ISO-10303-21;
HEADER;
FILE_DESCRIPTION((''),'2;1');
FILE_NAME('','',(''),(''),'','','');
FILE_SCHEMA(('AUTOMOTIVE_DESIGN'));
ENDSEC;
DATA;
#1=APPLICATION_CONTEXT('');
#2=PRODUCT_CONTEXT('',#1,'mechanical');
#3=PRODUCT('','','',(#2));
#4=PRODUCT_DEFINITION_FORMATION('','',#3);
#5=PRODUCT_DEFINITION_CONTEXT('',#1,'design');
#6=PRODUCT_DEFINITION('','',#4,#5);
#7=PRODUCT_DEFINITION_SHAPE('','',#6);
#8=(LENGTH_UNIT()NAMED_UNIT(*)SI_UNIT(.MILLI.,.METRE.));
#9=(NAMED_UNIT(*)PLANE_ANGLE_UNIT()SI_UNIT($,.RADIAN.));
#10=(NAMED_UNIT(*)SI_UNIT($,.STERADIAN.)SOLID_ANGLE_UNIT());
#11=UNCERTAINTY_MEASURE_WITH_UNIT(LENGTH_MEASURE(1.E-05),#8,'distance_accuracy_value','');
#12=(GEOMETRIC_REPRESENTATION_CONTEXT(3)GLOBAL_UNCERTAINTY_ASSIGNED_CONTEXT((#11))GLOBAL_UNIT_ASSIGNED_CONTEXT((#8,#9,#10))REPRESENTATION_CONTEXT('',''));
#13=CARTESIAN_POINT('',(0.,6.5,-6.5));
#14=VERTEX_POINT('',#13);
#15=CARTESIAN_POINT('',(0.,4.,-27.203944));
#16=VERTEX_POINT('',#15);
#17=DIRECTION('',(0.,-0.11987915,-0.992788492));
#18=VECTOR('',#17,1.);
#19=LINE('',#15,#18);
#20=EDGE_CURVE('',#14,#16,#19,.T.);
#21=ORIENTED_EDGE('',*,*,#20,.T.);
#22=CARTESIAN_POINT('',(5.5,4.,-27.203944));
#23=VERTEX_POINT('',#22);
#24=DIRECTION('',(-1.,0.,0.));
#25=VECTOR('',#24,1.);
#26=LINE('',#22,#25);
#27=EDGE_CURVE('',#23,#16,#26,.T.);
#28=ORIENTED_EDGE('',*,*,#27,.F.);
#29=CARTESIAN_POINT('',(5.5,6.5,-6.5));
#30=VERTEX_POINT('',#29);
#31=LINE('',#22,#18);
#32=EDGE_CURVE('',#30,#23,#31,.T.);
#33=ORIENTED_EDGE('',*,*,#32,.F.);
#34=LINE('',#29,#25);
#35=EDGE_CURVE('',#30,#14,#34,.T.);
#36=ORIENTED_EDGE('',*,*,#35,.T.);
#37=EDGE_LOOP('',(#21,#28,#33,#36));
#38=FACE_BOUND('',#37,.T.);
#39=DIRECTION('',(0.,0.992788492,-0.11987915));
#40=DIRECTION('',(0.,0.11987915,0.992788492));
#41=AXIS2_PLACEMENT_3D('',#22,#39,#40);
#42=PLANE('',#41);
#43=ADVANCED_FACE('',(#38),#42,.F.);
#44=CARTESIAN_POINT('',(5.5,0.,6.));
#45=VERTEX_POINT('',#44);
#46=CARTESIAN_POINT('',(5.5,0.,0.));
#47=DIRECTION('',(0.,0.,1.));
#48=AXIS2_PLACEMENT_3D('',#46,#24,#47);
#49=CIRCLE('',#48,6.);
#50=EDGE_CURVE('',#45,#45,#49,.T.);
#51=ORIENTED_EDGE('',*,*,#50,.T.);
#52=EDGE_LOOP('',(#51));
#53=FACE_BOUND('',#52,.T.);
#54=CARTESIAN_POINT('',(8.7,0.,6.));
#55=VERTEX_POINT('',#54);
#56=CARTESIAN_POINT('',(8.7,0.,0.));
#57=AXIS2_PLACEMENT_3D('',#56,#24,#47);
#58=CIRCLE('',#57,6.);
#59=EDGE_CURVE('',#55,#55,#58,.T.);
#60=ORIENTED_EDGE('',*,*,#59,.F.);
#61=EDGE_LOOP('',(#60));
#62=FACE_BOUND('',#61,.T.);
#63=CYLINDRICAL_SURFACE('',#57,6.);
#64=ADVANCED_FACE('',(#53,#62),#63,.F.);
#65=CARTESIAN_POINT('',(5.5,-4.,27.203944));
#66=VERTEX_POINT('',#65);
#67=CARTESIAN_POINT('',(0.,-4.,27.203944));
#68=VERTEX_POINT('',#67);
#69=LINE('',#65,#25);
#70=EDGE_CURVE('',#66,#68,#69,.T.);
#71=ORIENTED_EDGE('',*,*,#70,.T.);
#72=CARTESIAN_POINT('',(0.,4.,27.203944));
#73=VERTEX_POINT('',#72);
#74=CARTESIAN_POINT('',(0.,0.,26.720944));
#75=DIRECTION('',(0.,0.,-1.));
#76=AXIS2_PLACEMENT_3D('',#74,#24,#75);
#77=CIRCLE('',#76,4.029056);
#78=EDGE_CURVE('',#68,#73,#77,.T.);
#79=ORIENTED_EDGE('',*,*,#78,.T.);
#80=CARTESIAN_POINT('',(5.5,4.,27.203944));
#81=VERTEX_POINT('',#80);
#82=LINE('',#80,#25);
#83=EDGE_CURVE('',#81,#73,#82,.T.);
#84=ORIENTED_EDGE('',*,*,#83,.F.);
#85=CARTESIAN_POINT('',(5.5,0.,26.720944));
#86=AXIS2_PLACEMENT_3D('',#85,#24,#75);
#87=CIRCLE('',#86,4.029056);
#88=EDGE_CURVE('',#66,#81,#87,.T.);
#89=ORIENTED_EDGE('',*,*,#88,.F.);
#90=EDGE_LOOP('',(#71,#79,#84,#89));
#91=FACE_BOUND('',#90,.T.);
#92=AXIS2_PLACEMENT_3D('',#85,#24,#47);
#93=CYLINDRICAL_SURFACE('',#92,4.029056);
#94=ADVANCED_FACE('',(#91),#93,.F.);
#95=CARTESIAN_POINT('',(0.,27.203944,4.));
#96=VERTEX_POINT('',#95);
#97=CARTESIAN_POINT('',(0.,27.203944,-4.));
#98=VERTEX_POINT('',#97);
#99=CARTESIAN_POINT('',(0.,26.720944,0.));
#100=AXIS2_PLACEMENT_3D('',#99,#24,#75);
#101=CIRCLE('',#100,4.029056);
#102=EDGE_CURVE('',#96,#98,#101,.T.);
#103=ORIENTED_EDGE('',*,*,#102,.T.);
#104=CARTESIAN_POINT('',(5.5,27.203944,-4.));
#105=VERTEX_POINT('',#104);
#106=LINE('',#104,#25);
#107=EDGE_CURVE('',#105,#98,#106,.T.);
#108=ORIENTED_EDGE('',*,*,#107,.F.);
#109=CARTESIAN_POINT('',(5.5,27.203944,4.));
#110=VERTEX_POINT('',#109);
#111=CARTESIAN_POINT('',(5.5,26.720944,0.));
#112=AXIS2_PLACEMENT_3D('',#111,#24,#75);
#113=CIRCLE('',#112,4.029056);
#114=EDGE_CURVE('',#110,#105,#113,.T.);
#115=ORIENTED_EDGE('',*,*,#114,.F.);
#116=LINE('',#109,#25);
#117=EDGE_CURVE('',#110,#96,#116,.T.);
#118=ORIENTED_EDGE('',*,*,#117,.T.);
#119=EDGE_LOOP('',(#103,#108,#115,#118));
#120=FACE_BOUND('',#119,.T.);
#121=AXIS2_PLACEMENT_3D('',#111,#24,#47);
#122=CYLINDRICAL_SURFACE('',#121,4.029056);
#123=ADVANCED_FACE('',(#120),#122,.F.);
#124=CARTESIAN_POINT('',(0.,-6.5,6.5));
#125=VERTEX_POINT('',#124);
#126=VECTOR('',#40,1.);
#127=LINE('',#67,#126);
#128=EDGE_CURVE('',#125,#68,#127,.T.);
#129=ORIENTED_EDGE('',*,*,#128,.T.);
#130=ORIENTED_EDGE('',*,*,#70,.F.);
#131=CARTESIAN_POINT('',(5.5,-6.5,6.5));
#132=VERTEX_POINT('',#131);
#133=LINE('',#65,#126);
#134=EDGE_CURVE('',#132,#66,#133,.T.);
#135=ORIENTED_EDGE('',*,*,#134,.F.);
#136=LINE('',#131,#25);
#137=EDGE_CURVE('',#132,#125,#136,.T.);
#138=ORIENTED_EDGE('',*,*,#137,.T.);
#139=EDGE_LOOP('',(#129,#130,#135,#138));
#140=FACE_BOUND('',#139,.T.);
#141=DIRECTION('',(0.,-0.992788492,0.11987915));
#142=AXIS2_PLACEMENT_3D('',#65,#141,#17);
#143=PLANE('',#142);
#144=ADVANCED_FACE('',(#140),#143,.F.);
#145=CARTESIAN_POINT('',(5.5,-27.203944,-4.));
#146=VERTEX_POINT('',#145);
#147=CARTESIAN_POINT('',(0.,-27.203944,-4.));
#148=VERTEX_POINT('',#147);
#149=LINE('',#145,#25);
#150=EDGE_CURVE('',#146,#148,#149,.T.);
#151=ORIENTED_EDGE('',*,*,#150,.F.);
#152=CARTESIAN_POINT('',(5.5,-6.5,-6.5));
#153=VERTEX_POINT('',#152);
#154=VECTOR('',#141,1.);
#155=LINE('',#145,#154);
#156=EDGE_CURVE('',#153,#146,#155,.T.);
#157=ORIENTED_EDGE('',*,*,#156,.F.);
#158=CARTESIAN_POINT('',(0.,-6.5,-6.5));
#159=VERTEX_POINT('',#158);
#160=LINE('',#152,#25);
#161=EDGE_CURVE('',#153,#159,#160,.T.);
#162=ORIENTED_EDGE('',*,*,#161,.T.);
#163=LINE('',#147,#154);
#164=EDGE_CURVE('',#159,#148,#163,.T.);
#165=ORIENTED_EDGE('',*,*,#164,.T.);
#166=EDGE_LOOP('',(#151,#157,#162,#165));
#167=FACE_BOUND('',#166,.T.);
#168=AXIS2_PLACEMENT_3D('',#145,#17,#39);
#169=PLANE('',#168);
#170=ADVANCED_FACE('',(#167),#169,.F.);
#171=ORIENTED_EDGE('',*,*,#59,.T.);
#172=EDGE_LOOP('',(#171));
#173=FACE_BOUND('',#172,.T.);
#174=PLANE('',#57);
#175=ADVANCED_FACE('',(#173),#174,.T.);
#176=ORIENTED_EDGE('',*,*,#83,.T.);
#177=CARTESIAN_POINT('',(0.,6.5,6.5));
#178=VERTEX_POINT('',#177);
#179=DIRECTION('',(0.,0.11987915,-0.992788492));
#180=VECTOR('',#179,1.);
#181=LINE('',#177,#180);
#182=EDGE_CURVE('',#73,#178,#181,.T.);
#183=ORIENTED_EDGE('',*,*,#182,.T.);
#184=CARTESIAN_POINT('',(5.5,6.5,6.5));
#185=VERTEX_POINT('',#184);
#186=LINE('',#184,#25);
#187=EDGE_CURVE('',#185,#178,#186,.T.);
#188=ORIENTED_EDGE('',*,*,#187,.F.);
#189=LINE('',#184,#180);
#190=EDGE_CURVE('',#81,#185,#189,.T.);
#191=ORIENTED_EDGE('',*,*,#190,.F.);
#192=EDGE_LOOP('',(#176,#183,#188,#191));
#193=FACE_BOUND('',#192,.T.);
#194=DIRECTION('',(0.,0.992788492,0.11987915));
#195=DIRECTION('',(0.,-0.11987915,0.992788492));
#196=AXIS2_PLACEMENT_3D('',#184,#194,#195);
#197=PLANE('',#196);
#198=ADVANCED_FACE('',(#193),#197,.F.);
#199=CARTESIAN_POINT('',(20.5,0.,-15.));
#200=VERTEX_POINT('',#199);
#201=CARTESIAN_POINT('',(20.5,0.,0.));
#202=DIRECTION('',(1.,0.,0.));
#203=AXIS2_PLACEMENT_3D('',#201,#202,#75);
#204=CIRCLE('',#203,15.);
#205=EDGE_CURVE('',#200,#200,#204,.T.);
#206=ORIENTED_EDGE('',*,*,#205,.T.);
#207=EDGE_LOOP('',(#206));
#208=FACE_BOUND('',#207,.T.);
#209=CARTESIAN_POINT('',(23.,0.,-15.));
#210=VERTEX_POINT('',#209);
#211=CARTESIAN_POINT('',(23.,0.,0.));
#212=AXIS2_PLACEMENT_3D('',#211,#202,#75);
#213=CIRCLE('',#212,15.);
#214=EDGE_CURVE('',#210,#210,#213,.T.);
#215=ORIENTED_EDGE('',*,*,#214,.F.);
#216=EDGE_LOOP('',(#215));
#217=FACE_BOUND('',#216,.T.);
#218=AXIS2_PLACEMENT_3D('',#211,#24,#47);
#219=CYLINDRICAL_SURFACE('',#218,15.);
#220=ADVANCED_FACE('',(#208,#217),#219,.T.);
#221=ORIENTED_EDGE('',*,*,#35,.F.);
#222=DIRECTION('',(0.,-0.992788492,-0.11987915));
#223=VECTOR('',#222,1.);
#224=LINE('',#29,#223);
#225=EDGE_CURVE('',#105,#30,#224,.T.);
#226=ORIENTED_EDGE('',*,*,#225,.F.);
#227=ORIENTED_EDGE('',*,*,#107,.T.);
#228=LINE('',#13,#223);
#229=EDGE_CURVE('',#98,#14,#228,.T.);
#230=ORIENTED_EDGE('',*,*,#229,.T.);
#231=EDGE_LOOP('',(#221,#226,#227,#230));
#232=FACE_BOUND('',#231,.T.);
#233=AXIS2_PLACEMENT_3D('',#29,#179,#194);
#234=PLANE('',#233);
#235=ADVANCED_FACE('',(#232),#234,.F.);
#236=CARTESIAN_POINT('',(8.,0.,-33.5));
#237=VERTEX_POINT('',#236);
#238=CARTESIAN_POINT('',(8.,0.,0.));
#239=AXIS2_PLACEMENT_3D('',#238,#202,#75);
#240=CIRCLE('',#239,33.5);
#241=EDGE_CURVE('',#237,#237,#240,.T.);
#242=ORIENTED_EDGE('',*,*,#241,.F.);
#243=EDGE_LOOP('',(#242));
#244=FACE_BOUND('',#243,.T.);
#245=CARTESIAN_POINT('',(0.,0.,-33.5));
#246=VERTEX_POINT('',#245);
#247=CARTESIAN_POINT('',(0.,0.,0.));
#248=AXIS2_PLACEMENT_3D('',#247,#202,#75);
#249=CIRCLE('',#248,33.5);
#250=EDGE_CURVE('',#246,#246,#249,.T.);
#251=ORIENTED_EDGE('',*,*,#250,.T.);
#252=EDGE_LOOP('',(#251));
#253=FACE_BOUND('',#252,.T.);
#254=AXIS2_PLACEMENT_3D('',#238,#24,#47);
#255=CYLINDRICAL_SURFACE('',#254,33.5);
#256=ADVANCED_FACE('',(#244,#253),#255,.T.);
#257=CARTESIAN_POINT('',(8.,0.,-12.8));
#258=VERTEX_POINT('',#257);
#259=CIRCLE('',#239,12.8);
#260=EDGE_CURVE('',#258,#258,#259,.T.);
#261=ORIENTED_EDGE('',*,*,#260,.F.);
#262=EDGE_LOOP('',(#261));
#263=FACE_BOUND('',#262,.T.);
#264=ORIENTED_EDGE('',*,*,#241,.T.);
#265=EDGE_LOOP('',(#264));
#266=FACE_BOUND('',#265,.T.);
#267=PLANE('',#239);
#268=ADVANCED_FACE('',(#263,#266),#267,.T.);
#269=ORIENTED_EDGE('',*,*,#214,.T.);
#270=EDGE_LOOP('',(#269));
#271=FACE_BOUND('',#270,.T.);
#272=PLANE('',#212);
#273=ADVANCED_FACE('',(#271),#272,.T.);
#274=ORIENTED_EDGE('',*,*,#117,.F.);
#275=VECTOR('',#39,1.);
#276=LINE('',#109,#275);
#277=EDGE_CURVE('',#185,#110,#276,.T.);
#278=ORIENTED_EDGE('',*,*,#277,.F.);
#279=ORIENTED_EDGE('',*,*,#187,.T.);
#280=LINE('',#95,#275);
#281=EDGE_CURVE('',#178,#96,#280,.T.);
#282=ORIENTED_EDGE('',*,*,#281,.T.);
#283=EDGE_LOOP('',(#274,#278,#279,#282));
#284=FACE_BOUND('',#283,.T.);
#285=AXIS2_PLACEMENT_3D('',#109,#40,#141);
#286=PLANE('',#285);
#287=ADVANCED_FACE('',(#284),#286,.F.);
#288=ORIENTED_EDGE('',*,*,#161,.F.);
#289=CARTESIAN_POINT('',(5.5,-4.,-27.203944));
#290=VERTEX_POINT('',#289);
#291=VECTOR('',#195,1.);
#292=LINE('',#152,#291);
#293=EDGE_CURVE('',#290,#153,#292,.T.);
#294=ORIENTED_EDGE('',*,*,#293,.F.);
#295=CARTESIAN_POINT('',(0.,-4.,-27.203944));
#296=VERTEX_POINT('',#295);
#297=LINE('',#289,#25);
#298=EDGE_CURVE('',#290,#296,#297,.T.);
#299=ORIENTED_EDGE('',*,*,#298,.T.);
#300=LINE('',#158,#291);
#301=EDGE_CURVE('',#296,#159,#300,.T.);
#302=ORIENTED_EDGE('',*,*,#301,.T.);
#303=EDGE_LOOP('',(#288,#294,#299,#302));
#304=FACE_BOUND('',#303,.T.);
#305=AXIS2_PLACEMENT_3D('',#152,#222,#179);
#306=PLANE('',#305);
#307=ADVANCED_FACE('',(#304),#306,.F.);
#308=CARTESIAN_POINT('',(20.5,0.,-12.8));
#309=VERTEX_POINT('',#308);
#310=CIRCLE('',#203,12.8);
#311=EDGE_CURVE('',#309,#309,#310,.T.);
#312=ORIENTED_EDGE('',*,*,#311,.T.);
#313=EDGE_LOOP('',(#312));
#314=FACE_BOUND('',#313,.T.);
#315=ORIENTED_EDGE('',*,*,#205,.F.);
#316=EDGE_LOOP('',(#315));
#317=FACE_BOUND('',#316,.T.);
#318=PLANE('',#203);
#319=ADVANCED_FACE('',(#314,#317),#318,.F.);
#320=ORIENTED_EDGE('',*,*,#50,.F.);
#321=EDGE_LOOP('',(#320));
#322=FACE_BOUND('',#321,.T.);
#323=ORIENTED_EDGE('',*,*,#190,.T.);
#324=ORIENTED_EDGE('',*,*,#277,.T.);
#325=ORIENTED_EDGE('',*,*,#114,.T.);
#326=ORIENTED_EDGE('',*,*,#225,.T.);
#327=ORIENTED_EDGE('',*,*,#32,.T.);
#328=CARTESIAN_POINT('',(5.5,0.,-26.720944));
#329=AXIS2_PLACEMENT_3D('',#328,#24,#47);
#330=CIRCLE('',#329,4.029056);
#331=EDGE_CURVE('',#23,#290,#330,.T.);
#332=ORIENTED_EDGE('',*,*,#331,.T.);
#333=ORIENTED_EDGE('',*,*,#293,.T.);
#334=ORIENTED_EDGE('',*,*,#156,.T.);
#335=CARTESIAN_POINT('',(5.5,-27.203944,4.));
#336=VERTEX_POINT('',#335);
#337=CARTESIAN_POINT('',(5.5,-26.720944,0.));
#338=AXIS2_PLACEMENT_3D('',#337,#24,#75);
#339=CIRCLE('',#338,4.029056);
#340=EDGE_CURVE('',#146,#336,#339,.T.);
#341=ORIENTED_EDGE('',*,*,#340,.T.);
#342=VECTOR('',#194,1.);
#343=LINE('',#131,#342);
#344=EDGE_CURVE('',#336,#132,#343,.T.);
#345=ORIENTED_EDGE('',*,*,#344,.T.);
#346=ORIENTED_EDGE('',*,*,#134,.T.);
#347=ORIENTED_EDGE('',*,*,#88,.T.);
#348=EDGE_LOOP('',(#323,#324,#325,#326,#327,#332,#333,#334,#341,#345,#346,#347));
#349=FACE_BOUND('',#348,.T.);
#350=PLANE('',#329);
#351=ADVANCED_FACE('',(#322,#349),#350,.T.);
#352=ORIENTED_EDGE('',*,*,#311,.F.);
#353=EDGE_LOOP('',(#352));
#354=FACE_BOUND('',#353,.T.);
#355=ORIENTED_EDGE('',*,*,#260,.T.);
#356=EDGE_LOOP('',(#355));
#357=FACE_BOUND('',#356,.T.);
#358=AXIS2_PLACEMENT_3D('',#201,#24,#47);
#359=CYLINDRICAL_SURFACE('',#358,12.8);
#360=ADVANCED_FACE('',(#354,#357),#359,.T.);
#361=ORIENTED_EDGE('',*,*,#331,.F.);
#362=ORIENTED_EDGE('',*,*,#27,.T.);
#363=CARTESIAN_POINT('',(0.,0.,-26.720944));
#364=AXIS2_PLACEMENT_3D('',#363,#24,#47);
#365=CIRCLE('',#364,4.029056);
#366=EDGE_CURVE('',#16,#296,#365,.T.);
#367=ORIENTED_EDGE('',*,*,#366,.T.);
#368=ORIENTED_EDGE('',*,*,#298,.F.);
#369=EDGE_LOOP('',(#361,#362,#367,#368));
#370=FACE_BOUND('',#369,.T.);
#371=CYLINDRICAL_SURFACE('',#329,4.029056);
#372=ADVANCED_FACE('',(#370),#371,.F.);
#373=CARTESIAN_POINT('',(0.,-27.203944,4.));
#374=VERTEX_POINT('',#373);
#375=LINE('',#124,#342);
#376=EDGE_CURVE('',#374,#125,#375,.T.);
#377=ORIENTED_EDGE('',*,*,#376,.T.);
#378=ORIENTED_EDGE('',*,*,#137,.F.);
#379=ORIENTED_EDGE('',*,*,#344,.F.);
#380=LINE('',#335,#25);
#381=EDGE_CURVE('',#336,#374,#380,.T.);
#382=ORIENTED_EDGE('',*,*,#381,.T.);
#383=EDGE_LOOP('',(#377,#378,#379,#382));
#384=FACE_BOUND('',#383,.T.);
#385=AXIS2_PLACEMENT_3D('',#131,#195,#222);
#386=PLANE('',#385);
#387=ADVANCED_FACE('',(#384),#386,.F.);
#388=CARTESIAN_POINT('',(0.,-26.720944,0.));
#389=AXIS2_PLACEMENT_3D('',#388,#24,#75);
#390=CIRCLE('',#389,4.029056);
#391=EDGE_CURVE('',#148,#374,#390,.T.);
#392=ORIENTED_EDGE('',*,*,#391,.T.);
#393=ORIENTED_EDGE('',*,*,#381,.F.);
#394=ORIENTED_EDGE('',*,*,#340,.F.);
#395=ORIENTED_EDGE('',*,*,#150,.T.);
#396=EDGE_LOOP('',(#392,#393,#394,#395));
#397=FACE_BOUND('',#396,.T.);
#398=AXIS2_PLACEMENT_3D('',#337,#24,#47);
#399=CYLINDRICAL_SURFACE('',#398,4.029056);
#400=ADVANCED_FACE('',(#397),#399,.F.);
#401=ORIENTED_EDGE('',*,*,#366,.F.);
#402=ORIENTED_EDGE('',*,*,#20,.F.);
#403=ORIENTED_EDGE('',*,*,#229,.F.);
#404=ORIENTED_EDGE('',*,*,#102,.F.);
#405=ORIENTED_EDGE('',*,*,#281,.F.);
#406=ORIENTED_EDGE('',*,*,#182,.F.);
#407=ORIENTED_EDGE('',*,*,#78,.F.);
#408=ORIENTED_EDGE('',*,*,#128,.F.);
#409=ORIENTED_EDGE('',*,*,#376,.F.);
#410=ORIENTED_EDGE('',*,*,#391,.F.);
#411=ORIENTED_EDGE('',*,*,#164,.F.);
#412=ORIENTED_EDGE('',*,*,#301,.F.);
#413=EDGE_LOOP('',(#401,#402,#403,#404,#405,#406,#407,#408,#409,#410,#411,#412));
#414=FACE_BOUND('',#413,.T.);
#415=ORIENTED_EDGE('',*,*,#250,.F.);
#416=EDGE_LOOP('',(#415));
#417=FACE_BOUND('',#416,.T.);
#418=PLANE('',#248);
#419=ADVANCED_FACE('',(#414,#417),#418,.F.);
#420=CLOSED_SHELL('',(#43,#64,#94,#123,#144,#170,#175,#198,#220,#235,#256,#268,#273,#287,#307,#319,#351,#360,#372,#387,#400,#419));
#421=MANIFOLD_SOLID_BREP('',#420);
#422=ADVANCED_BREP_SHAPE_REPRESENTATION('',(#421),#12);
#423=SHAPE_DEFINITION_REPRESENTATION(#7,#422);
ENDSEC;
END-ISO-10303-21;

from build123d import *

# Parameters (mm, degrees)
SKETCH2_R           = 33.5
BOSS_EXTRUDE1_DEPTH = 8
SKETCH7_R           = 12.8
BOSS_EXTRUDE2_DEPTH = 12.5
SKETCH8_R           = 15
BOSS_EXTRUDE3_DEPTH = 2.5
CUT_EXTRUDE1_DEPTH  = 5.5
SKETCH11_R          = 6
CUT_EXTRUDE2_DEPTH  = 3.2


with BuildPart() as part:
    # Sketch2 → Boss-Extrude1 (new body)
    with BuildSketch(Plane(origin=(0, 0, 0), x_dir=(0, 0, -1), z_dir=(1, 0, 0))):
        Circle(SKETCH2_R)
    extrude(amount=BOSS_EXTRUDE1_DEPTH)

    # Sketch7 → Boss-Extrude2 (add)
    with BuildSketch(Plane(origin=(8, 0, 0), x_dir=(0, 0, -1), z_dir=(1, 0, 0))):
        Circle(SKETCH7_R)
    extrude(amount=BOSS_EXTRUDE2_DEPTH)

    # Sketch8 → Boss-Extrude3 (add)
    with BuildSketch(Plane(origin=(20.5, 0, 0), x_dir=(0, 0, -1), z_dir=(1, 0, 0))):
        Circle(SKETCH8_R)
    extrude(amount=BOSS_EXTRUDE3_DEPTH)

    # Sketch10 → Cut-Extrude1 (cut)
    with BuildSketch(Plane.ZY):
        with BuildLine():
            Line((-4, -27.203944189), (-6.5, -6.5))
            Line((-6.5, -6.5), (-27.203944189, -4))
            ThreePointArc((-27.203944189, -4), (-30.75, 0), (-27.203944189, 4))
            Line((-27.203944189, 4), (-6.5, 6.5))
            Line((-6.5, 6.5), (-4, 27.203944189))
            ThreePointArc((-4, 27.203944189), (0, 30.75), (4, 27.203944189))
            Line((4, 27.203944189), (6.5, 6.5))
            Line((6.5, 6.5), (27.203944189, 4))
            ThreePointArc((27.203944189, 4), (30.75, 0), (27.203944189, -4))
            Line((27.203944189, -4), (6.5, -6.5))
            Line((6.5, -6.5), (4, -27.203944189))
            ThreePointArc((4, -27.203944189), (0, -30.75), (-4, -27.203944189))
        make_face()
    extrude(amount=-CUT_EXTRUDE1_DEPTH, mode=Mode.SUBTRACT)

    # Sketch11 → Cut-Extrude2 (cut)
    with BuildSketch(Plane.ZY.offset(-5.5)):
        Circle(SKETCH11_R)
    extrude(amount=-CUT_EXTRUDE2_DEPTH, mode=Mode.SUBTRACT)


solid = part.part
